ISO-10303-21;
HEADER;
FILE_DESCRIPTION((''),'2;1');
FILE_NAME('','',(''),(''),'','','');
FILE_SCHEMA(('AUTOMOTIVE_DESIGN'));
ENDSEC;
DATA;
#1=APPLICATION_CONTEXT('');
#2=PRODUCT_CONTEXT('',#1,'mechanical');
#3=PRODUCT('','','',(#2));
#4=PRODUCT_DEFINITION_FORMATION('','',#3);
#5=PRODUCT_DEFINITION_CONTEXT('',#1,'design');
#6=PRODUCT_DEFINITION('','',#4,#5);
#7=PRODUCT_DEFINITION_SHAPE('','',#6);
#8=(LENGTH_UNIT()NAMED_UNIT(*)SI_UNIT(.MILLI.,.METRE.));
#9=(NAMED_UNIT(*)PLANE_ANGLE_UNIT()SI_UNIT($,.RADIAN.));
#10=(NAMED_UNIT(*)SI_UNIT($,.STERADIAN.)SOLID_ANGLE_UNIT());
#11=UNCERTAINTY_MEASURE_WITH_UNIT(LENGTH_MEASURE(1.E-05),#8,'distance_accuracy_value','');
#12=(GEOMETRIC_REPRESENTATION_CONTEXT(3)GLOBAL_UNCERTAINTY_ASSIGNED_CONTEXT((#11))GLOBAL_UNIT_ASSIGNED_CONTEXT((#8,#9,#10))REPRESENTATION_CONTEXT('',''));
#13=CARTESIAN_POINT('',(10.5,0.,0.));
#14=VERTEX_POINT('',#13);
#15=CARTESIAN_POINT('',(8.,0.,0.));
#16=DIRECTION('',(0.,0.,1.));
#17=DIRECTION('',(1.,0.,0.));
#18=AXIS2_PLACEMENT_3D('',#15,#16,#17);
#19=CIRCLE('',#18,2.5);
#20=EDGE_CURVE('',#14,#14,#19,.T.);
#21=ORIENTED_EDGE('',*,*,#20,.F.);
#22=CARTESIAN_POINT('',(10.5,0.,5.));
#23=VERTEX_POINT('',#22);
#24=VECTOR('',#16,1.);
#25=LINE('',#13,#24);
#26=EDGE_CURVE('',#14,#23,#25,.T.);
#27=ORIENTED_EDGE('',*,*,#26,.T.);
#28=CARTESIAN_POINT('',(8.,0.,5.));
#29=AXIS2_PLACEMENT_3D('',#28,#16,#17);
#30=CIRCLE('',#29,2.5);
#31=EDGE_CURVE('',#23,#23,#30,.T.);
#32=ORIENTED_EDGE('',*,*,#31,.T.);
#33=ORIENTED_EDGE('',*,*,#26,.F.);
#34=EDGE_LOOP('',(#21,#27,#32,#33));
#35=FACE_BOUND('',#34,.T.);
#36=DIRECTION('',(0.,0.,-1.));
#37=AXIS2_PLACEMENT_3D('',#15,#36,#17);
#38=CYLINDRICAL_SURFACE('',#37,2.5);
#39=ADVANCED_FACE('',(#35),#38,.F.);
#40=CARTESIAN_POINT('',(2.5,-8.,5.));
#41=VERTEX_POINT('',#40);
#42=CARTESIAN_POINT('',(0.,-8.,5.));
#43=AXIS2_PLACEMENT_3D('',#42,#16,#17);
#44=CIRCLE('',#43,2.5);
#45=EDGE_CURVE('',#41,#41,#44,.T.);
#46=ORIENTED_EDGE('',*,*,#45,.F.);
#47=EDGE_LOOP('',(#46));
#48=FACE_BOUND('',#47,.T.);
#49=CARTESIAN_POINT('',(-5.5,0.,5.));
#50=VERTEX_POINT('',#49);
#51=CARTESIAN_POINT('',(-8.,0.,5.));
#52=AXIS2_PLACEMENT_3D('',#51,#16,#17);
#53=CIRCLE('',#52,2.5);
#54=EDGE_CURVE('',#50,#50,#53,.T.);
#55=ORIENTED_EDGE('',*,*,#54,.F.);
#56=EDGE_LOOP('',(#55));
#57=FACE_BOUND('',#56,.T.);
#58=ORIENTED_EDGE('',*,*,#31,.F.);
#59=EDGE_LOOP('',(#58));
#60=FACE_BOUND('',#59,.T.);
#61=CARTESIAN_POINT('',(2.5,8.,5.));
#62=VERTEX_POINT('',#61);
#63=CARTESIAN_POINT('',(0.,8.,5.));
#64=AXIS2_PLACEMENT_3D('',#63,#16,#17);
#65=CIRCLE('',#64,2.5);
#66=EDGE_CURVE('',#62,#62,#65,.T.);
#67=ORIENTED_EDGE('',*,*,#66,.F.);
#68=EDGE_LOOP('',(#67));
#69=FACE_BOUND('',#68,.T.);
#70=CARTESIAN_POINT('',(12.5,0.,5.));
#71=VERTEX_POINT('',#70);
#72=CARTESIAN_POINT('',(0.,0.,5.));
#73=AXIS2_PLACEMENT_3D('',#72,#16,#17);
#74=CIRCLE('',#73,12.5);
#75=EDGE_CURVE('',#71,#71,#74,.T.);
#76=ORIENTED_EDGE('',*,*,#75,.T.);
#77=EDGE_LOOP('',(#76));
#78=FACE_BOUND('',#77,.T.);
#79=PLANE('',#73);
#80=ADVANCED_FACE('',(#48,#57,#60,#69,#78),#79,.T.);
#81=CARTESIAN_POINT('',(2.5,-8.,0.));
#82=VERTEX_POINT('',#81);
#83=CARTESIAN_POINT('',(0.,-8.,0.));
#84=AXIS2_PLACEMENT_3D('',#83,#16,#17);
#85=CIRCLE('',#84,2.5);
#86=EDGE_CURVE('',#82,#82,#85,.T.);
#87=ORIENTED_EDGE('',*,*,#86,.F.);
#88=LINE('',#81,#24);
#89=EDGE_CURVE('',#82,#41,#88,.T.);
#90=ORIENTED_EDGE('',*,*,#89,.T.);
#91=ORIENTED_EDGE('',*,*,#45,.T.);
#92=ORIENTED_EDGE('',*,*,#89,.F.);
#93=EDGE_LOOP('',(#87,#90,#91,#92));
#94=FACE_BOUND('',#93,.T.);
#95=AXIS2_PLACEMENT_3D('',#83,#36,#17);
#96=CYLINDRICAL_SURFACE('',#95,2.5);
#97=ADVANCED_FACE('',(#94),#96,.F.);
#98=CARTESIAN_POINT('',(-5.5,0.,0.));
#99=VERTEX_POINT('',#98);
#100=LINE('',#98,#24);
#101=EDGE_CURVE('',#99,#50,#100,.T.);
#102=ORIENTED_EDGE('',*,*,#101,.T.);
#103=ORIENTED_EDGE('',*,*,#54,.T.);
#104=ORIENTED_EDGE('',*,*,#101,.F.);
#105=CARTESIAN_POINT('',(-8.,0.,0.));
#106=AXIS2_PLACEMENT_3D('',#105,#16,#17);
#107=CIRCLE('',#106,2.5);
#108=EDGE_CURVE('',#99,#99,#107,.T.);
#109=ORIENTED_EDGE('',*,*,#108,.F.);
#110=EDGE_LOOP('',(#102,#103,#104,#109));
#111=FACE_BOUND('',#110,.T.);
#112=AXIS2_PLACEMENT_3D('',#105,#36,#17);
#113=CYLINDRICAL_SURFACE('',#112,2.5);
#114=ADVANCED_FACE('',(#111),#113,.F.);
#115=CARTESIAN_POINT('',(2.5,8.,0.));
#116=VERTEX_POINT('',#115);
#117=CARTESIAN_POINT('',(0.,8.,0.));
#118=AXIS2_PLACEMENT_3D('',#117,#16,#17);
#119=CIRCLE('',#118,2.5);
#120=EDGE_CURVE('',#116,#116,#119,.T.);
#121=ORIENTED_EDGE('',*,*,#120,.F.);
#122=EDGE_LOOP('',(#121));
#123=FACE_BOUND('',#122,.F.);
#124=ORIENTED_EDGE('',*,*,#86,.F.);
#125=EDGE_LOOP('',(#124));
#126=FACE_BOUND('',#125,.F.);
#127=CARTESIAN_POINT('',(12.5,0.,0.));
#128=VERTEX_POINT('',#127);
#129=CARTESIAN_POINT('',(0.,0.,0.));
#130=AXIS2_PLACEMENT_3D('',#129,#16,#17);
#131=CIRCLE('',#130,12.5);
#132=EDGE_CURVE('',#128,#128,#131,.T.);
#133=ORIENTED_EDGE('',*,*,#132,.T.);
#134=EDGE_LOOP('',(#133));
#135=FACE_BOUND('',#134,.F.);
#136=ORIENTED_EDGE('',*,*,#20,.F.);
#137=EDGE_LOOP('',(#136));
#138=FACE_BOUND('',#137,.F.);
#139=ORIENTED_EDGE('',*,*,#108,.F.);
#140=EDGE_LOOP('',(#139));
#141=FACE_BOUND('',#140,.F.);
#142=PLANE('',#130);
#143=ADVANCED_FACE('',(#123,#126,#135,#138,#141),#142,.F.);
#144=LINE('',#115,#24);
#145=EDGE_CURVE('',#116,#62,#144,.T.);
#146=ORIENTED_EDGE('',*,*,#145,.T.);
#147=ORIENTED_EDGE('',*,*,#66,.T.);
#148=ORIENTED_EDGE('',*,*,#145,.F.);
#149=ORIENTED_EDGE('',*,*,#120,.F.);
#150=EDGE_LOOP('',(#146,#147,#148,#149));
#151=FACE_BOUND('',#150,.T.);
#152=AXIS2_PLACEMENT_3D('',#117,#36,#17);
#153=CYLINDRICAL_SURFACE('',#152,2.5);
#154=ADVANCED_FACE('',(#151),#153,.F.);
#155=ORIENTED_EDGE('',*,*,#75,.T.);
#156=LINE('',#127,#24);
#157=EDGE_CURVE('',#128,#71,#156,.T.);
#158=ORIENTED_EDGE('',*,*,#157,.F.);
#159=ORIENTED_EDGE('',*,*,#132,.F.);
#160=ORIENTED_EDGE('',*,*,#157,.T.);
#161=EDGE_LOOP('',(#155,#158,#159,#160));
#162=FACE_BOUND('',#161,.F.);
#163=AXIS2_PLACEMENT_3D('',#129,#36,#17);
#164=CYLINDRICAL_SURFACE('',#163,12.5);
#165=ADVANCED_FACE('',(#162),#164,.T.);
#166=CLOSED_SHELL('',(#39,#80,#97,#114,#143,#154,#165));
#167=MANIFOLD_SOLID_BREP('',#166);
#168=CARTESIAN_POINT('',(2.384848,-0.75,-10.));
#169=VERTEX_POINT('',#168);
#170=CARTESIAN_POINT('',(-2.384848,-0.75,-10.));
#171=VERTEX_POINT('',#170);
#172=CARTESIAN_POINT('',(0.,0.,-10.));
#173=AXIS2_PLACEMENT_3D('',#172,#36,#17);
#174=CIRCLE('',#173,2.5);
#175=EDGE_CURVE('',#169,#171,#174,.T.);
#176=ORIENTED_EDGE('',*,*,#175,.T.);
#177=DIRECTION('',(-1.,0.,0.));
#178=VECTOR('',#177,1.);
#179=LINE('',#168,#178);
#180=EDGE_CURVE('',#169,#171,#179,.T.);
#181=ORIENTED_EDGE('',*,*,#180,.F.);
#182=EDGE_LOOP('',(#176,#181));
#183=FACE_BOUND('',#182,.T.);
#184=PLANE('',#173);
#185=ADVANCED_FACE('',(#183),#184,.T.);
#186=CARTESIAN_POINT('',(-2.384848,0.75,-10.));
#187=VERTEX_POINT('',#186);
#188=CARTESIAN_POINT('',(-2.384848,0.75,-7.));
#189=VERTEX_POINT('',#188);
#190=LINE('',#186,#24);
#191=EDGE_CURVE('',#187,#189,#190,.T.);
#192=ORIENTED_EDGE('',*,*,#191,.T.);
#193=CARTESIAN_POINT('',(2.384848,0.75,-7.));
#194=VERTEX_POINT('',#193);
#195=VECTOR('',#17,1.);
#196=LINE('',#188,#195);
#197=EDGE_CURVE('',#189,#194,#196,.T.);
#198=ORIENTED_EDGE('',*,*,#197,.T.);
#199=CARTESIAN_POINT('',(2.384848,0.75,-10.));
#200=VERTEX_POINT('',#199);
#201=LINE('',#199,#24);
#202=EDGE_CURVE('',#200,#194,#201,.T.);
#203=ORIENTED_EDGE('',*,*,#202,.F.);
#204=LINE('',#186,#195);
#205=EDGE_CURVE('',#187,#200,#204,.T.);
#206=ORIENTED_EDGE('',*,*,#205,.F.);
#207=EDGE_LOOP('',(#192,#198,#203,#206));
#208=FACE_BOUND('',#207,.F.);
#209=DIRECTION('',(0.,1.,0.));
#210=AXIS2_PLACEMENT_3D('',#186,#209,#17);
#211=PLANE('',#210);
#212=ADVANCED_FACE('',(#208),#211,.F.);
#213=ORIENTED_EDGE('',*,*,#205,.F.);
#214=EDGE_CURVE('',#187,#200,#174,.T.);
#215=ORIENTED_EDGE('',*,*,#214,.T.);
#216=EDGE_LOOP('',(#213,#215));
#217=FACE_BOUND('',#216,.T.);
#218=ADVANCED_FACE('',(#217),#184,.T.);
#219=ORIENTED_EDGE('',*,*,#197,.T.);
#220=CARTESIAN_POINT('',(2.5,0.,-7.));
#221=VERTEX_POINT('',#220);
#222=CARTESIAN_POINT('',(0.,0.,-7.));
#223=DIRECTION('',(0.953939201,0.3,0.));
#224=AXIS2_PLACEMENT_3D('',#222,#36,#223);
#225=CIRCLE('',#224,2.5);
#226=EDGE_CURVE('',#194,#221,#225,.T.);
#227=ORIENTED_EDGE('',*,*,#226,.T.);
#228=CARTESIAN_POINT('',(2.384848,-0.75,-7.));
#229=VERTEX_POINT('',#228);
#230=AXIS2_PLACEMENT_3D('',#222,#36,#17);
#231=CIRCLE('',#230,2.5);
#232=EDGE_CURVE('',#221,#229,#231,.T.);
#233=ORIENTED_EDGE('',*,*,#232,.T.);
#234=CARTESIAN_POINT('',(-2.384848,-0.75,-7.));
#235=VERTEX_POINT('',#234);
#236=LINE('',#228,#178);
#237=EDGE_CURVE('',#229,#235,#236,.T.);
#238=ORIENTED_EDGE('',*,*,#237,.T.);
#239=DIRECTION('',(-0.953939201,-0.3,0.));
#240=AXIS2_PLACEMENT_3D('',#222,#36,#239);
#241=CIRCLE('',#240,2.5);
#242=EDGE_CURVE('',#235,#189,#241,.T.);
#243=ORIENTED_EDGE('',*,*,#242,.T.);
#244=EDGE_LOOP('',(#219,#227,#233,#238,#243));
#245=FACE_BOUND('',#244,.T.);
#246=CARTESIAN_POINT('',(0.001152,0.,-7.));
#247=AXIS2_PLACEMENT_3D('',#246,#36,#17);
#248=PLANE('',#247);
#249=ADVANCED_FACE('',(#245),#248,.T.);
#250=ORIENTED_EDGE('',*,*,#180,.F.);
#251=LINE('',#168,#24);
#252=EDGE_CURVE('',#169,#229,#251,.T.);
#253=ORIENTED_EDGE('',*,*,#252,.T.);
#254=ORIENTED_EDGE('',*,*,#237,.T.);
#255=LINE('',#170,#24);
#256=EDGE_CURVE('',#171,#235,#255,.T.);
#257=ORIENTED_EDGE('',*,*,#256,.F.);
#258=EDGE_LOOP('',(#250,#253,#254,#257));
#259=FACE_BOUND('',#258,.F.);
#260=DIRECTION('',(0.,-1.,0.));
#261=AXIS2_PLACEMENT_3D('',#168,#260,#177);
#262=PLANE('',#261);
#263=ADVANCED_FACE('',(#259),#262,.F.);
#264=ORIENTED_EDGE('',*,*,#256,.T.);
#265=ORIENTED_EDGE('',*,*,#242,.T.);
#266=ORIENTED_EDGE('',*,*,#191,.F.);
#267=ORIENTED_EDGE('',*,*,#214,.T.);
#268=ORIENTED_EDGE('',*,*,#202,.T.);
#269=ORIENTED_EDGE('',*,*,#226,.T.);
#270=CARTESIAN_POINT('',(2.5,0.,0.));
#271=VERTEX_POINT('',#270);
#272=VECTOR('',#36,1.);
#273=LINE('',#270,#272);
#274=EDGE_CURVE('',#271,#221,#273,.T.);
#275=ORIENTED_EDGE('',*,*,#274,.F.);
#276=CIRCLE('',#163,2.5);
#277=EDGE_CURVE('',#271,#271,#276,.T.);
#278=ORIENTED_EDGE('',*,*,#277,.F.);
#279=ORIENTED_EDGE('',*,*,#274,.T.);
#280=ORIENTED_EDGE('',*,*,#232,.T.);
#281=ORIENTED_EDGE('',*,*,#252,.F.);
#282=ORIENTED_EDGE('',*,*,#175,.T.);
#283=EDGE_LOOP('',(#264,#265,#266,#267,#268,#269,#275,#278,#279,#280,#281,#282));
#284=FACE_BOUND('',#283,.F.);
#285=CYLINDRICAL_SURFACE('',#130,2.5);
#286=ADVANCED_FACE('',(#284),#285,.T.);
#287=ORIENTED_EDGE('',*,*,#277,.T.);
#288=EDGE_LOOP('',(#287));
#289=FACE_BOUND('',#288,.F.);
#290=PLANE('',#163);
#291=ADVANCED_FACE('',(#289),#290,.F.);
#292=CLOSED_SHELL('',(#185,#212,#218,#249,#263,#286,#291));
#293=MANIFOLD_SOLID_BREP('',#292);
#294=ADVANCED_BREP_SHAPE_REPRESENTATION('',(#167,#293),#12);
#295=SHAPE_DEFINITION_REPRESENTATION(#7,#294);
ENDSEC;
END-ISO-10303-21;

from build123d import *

# Parameters (mm, degrees)
F0_R     = 12.5
F0_R_2   = 2.5
F1_DEPTH = 5
F2_R     = 2.5
F3_DEPTH = 10
F5_DEPTH = 3


with BuildPart() as f1:
    # F0 (on Top) → F1 (new body)
    with BuildSketch(Plane.XY):
        Circle(F0_R)
        with Locations((0, -8)):
            Circle(F0_R_2, mode=Mode.SUBTRACT)
        with Locations((-8, 0)):
            Circle(F0_R_2, mode=Mode.SUBTRACT)
        with Locations((8, 0)):
            Circle(F0_R_2, mode=Mode.SUBTRACT)
        with Locations((0, 8)):
            Circle(F0_R_2, mode=Mode.SUBTRACT)
    extrude(amount=F1_DEPTH)


with BuildPart() as f3:
    # F2 (on face) → F3 (new body)
    with BuildSketch(Plane(origin=(0, 0, 0), x_dir=(1, 0, 0), z_dir=(0, 0, -1))):
        Circle(F2_R)
    extrude(amount=F3_DEPTH)

    # F4 (on face) → F5 (cut)
    with BuildSketch(Plane(origin=(0, 0, -10), x_dir=(1, 0, 0), z_dir=(0, 0, -1))):
        with BuildLine():
            ThreePointArc((2.5, 0), (2.4710443145, 0.3793942482), (2.3848480035, 0.75))
            Line((2.3848480035, 0.75), (-2.3848480035, 0.75))
            ThreePointArc((-2.3848480035, 0.75), (-2.5, 0), (-2.3848480035, -0.75))
            Line((-2.3848480035, -0.75), (2.3848480035, -0.75))
            ThreePointArc((2.3848480035, -0.75), (2.4710443145, -0.3793942482), (2.5, 0))
        make_face()
    extrude(amount=-F5_DEPTH, mode=Mode.SUBTRACT)


solid = Compound([f1.part, f3.part])
